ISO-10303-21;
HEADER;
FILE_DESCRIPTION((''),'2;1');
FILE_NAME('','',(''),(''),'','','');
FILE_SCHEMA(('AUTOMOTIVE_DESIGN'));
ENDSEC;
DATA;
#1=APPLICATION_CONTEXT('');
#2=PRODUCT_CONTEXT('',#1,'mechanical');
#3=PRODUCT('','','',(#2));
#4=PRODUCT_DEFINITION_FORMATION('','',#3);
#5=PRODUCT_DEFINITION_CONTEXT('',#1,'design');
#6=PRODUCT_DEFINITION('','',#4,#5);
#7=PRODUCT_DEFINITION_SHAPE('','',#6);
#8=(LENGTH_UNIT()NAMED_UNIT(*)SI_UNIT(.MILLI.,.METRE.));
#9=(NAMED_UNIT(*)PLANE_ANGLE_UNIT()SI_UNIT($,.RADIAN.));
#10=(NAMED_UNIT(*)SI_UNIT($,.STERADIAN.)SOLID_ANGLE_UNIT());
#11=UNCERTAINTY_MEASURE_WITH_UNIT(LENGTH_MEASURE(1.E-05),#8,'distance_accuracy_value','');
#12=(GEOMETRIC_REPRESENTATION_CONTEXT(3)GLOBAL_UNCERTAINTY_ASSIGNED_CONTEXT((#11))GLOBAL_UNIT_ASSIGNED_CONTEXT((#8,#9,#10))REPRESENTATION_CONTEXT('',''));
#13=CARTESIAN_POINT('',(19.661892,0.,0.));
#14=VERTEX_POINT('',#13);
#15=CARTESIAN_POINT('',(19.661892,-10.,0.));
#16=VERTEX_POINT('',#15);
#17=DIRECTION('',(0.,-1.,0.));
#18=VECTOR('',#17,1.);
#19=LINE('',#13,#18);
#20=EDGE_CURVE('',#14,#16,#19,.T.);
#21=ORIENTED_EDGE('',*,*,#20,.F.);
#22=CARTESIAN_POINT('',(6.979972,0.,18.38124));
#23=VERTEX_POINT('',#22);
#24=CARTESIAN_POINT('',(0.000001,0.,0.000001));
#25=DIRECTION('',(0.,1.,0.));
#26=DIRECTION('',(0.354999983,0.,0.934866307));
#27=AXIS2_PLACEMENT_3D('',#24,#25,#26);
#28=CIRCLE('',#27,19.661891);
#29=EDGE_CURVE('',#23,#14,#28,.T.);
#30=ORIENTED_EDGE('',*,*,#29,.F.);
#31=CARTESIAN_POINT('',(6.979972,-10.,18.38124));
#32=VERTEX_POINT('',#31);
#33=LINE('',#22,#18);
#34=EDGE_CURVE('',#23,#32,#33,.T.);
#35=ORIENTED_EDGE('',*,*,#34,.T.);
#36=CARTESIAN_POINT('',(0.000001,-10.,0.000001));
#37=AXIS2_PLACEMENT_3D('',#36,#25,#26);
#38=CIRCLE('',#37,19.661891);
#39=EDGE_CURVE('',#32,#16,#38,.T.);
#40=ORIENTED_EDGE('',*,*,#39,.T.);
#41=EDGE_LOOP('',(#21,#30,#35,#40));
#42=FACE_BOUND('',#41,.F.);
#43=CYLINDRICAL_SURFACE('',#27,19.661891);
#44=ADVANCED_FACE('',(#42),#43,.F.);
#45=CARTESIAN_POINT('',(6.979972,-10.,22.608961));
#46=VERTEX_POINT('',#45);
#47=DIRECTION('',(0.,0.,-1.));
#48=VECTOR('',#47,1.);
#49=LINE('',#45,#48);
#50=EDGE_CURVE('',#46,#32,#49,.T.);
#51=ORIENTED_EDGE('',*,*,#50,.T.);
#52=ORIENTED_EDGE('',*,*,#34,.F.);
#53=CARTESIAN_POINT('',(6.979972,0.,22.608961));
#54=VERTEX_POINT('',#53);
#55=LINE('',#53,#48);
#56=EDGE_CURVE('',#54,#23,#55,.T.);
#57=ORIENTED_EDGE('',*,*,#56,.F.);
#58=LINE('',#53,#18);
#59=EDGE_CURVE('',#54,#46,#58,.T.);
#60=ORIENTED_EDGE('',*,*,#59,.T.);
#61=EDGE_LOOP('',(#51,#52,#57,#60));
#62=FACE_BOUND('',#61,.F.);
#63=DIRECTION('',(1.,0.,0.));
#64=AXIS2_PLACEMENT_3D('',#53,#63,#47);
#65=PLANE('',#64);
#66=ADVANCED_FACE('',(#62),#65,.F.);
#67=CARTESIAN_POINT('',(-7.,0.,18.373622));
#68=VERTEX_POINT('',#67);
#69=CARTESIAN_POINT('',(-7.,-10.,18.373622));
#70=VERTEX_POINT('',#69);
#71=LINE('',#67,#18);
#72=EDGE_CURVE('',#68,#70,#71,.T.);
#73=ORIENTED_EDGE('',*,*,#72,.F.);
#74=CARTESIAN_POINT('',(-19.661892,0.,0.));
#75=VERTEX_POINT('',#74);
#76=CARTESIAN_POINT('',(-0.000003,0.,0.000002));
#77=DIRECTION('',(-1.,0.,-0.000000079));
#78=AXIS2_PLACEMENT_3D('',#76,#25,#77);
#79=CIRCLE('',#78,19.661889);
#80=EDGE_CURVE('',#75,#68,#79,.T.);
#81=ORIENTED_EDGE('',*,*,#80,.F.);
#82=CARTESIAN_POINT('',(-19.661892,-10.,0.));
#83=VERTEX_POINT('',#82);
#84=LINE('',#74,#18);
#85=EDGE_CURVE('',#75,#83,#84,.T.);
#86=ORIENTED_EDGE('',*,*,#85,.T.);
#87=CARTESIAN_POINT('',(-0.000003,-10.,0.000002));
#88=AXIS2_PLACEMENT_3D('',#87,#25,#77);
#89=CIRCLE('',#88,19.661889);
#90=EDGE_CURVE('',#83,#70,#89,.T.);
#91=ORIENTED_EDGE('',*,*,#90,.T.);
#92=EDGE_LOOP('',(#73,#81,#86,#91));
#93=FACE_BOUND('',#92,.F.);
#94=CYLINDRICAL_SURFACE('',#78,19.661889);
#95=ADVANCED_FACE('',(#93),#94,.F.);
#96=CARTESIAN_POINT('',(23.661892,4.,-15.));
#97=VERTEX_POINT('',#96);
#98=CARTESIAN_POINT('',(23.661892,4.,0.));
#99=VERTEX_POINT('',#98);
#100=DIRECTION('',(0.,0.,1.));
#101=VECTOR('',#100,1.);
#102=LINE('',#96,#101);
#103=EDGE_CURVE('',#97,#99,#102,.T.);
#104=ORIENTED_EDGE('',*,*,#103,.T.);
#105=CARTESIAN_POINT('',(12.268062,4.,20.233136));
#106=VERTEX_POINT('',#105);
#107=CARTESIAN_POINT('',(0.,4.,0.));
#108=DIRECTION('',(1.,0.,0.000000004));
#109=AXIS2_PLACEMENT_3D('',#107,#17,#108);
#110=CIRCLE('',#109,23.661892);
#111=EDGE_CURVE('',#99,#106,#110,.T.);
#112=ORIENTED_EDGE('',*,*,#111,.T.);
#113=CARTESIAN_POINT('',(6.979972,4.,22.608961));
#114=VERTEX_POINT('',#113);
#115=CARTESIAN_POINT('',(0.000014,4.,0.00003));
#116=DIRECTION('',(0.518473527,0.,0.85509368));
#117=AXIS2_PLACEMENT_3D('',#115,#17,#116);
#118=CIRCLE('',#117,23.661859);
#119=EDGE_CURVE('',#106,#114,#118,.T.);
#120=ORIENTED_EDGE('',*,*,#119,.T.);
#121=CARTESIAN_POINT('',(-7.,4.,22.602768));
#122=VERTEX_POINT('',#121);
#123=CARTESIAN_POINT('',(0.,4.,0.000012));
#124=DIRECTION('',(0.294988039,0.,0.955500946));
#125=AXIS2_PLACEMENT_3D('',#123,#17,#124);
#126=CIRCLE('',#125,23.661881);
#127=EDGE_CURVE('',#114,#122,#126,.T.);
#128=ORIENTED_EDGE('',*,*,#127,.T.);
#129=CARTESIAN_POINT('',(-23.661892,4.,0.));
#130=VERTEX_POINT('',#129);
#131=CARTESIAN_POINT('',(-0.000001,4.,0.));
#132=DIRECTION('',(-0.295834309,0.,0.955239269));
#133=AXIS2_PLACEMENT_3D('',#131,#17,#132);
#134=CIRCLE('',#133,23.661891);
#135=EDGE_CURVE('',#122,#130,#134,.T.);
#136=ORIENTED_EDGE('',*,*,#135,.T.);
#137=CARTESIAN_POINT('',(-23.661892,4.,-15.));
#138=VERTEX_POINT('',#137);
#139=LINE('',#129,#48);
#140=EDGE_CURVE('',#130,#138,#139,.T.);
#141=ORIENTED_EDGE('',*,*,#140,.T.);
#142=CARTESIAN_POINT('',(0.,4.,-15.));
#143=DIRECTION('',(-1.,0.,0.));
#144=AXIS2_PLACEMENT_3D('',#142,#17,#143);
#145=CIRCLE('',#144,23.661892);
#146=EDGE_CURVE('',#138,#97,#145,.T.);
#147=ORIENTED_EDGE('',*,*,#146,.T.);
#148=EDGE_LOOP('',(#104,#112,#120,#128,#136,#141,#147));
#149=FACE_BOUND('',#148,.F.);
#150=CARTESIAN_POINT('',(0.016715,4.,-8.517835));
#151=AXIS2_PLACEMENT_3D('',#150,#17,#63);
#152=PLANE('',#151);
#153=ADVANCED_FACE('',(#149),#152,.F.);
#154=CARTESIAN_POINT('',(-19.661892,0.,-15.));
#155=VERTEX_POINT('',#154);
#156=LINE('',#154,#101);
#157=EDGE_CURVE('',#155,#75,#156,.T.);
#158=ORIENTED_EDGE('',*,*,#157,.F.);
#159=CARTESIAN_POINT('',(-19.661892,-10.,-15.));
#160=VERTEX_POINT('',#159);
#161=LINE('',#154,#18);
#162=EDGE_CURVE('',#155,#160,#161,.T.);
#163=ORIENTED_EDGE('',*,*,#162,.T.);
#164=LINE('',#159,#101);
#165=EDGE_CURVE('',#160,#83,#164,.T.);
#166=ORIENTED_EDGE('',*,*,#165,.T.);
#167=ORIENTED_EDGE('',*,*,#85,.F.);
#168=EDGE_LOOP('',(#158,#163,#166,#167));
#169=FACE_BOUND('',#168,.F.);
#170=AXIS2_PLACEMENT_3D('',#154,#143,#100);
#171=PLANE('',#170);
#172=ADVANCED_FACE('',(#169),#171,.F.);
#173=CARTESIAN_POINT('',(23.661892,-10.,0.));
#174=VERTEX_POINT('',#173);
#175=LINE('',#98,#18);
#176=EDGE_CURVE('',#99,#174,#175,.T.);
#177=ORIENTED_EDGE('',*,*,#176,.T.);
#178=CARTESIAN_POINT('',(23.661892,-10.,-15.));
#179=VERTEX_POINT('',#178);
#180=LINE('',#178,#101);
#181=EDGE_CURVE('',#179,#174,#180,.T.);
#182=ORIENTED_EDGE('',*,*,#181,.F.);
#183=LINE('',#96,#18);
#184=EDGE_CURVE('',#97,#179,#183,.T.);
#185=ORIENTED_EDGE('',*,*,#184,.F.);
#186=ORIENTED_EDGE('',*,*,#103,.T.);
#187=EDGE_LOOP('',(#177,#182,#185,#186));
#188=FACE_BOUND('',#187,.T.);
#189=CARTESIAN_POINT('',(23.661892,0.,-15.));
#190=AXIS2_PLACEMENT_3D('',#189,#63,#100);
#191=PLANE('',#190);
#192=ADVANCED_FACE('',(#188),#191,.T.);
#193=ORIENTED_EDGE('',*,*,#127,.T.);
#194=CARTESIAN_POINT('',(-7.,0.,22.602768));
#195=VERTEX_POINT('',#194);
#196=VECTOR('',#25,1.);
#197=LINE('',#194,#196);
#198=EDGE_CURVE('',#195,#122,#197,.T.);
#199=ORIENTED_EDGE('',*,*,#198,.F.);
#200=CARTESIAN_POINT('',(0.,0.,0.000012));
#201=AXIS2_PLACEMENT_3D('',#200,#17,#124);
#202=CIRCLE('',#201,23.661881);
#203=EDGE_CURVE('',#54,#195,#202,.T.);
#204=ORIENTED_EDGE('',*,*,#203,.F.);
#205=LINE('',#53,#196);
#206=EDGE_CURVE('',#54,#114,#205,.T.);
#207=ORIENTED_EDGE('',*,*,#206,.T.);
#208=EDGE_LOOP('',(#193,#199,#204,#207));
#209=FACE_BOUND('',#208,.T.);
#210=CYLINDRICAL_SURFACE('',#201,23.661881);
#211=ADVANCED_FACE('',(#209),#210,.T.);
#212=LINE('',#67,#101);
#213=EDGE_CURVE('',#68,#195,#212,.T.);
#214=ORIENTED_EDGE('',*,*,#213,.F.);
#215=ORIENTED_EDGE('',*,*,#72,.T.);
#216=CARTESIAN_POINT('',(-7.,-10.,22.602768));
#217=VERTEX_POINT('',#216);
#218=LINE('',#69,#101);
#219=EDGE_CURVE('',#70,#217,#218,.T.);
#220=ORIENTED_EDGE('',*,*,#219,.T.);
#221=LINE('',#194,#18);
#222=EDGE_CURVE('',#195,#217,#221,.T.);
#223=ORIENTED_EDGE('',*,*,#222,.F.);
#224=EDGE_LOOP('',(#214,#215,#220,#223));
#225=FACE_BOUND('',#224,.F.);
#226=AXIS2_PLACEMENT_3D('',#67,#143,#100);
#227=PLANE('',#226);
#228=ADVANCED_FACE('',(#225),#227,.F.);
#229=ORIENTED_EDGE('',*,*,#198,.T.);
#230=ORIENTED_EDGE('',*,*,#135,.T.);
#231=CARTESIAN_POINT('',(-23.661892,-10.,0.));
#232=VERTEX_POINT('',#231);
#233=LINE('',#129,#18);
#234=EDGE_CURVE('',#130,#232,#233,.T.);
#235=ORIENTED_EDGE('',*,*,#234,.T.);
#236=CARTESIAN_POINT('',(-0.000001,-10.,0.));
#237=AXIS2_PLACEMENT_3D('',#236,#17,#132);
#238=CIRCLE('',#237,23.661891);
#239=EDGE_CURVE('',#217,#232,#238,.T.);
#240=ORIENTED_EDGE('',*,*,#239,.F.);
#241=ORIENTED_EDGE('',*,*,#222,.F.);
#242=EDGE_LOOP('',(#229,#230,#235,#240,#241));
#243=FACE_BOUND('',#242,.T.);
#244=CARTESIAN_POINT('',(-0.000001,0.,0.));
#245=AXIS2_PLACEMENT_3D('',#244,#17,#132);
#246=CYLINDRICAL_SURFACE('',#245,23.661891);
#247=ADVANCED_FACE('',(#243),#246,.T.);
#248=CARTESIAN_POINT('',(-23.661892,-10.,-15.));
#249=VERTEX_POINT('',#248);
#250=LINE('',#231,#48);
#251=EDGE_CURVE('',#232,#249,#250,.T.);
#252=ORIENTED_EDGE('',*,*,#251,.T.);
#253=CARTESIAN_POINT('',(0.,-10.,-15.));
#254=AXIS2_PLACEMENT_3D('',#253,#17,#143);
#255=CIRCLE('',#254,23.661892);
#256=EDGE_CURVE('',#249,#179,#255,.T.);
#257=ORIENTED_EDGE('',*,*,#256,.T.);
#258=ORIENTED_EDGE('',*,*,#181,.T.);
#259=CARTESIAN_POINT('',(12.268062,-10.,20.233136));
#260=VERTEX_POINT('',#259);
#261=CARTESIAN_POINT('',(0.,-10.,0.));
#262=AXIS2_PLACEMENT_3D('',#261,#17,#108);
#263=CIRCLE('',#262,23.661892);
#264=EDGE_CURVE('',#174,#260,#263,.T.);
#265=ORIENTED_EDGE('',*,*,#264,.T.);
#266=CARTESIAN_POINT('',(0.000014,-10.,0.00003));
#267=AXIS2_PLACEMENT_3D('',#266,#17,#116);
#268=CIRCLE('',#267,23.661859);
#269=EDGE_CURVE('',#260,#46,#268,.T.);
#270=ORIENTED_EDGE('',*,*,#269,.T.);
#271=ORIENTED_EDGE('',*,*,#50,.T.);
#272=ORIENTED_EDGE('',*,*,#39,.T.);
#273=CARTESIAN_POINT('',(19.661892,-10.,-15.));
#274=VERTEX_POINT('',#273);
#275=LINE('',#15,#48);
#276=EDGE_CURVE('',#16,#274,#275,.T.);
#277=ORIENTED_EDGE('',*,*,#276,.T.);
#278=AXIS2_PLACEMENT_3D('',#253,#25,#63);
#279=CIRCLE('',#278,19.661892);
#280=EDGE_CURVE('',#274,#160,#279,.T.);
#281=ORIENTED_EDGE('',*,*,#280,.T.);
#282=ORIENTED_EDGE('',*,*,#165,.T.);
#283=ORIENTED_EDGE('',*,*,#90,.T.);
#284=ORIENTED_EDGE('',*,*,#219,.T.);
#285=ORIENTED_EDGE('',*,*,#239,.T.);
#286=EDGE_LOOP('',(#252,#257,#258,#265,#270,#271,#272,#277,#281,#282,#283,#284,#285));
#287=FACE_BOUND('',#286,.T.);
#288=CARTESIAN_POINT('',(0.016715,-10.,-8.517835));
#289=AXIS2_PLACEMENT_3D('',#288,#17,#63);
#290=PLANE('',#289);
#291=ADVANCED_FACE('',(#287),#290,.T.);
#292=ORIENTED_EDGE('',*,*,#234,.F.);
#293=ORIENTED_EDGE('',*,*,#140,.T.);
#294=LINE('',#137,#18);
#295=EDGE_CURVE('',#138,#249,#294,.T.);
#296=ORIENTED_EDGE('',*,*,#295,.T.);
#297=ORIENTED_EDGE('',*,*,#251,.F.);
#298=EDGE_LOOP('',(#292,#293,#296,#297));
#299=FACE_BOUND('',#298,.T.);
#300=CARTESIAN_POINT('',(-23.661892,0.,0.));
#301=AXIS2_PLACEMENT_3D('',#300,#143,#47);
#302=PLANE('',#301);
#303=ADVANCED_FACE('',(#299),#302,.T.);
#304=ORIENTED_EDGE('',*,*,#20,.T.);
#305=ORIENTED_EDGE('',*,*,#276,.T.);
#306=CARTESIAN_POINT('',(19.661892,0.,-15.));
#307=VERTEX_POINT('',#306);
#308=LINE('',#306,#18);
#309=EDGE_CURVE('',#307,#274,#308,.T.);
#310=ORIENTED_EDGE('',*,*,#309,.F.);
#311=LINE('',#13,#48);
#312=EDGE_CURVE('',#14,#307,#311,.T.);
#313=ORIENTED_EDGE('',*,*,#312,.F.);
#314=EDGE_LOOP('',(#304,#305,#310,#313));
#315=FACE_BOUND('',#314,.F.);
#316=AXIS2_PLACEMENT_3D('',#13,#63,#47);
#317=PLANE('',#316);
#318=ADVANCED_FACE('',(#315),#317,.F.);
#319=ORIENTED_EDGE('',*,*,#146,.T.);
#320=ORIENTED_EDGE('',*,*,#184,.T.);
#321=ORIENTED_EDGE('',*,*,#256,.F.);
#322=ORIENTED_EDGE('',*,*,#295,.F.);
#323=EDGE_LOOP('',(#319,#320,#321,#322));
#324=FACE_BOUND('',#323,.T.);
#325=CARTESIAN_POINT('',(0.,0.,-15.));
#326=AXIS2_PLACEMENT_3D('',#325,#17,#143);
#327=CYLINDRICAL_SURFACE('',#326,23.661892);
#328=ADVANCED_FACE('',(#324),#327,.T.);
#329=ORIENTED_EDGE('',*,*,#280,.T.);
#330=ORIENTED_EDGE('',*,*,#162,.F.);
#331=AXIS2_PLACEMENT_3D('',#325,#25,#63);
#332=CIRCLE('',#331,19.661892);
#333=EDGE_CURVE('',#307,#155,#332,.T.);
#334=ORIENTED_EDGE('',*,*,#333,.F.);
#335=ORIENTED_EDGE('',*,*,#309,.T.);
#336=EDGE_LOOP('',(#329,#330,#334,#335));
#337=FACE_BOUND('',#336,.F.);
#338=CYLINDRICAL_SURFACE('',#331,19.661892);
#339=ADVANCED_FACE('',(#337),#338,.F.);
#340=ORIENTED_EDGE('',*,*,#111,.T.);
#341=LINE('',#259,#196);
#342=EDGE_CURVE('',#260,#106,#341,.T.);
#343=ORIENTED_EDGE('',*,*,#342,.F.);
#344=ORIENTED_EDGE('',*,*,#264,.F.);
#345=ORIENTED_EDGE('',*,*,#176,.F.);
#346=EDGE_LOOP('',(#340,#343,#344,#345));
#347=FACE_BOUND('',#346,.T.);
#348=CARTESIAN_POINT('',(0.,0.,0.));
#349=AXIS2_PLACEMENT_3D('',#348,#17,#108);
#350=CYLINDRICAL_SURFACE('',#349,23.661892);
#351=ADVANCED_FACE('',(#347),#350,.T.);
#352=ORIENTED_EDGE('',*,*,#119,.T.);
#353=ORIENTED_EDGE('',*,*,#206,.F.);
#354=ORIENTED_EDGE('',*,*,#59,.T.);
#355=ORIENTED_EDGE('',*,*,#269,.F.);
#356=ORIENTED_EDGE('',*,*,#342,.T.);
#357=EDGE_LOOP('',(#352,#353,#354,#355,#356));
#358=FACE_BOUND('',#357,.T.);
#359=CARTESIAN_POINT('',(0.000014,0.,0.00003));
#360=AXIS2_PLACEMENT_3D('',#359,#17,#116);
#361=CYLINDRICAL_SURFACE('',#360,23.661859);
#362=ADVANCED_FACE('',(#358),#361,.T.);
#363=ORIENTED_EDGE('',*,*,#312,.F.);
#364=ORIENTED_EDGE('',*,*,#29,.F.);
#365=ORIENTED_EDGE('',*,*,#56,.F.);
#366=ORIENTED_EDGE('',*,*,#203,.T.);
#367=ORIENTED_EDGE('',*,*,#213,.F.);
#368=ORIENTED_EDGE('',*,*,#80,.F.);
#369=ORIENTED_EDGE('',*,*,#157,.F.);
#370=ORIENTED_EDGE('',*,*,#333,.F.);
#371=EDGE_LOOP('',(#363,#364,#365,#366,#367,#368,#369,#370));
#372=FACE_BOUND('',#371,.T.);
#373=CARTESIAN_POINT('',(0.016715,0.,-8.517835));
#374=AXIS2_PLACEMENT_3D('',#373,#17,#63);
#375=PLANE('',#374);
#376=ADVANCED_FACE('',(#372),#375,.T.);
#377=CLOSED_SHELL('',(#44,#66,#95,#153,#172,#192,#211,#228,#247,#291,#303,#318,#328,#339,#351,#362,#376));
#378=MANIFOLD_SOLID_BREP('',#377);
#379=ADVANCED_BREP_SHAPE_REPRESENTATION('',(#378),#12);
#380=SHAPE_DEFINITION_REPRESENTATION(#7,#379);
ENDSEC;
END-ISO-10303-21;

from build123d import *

# Parameters (mm, degrees)
F1_DEPTH = 10
F0_R     = 10
F2_DEPTH = 4


with BuildPart() as f1:
    # F0 (on Front) → F1 (new body)
    with BuildSketch(Plane.XZ):
        with BuildLine():
            Line((-19.661892, -15), (-19.661892, 0))
            ThreePointArc((-19.661892, 0), (-16.189862, 11.156988), (-7, 18.373622))
            Line((-7, 18.373622), (-7, 22.602768))
            ThreePointArc((-7, 22.602768), (-19.046238, 14.040155), (-23.661892, 0))
            Line((-23.661892, 0), (-23.661892, -15))
            ThreePointArc((-23.661892, -15), (0, -38.661892), (23.661892, -15))
            Line((23.661892, -15), (23.661892, 0))
            ThreePointArc((23.661892, 0), (20.617598, 11.610331), (12.268062, 20.233136))
            ThreePointArc((12.268062, 20.233136), (9.697053, 21.583612), (6.979972, 22.608961))
            Line((6.979972, 22.608961), (6.979972, 18.38124))
            ThreePointArc((6.979972, 18.38124), (16.18378, 11.165808), (19.661892, 0))
            Line((19.661892, 0), (19.661892, -15))
            ThreePointArc((19.661892, -15), (0, -34.661892), (-19.661892, -15))
        make_face()
    extrude(amount=F1_DEPTH)

    # F0 (on Front) → F2 (join)
    with BuildSketch(Plane.XZ):
        with BuildLine():
            Line((-19.661892, -15), (-19.661892, 0))
            ThreePointArc((-19.661892, 0), (-16.189862, 11.156988), (-7, 18.373622))
            Line((-7, 18.373622), (-7, 22.602768))
            ThreePointArc((-7, 22.602768), (-19.046238, 14.040155), (-23.661892, 0))
            Line((-23.661892, 0), (-23.661892, -15))
            ThreePointArc((-23.661892, -15), (0, -38.661892), (23.661892, -15))
            Line((23.661892, -15), (23.661892, 0))
            ThreePointArc((23.661892, 0), (20.617598, 11.610331), (12.268062, 20.233136))
            ThreePointArc((12.268062, 20.233136), (9.697053, 21.583612), (6.979972, 22.608961))
            Line((6.979972, 22.608961), (6.979972, 18.38124))
            ThreePointArc((6.979972, 18.38124), (16.18378, 11.165808), (19.661892, 0))
            Line((19.661892, 0), (19.661892, -15))
            ThreePointArc((19.661892, -15), (0, -34.661892), (-19.661892, -15))
        make_face()
        with BuildLine():
            ThreePointArc((-7, 18.373622), (-16.189862, 11.156988), (-19.661892, 0))
            Line((-19.661892, 0), (-19.661892, -15))
            ThreePointArc((-19.661892, -15), (0, -34.661892), (19.661892, -15))
            Line((19.661892, -15), (19.661892, 0))
            ThreePointArc((19.661892, 0), (16.18378, 11.165808), (6.979972, 18.38124))
            Line((6.979972, 18.38124), (6.979972, 22.608961))
            ThreePointArc((6.979972, 22.608961), (-0.010482, 23.66189), (-7, 22.602768))
            Line((-7, 22.602768), (-7, 18.373622))
        make_face()
        Circle(F0_R, mode=Mode.SUBTRACT)
        Circle(F0_R)
    extrude(amount=-F2_DEPTH)


solid = f1.part
